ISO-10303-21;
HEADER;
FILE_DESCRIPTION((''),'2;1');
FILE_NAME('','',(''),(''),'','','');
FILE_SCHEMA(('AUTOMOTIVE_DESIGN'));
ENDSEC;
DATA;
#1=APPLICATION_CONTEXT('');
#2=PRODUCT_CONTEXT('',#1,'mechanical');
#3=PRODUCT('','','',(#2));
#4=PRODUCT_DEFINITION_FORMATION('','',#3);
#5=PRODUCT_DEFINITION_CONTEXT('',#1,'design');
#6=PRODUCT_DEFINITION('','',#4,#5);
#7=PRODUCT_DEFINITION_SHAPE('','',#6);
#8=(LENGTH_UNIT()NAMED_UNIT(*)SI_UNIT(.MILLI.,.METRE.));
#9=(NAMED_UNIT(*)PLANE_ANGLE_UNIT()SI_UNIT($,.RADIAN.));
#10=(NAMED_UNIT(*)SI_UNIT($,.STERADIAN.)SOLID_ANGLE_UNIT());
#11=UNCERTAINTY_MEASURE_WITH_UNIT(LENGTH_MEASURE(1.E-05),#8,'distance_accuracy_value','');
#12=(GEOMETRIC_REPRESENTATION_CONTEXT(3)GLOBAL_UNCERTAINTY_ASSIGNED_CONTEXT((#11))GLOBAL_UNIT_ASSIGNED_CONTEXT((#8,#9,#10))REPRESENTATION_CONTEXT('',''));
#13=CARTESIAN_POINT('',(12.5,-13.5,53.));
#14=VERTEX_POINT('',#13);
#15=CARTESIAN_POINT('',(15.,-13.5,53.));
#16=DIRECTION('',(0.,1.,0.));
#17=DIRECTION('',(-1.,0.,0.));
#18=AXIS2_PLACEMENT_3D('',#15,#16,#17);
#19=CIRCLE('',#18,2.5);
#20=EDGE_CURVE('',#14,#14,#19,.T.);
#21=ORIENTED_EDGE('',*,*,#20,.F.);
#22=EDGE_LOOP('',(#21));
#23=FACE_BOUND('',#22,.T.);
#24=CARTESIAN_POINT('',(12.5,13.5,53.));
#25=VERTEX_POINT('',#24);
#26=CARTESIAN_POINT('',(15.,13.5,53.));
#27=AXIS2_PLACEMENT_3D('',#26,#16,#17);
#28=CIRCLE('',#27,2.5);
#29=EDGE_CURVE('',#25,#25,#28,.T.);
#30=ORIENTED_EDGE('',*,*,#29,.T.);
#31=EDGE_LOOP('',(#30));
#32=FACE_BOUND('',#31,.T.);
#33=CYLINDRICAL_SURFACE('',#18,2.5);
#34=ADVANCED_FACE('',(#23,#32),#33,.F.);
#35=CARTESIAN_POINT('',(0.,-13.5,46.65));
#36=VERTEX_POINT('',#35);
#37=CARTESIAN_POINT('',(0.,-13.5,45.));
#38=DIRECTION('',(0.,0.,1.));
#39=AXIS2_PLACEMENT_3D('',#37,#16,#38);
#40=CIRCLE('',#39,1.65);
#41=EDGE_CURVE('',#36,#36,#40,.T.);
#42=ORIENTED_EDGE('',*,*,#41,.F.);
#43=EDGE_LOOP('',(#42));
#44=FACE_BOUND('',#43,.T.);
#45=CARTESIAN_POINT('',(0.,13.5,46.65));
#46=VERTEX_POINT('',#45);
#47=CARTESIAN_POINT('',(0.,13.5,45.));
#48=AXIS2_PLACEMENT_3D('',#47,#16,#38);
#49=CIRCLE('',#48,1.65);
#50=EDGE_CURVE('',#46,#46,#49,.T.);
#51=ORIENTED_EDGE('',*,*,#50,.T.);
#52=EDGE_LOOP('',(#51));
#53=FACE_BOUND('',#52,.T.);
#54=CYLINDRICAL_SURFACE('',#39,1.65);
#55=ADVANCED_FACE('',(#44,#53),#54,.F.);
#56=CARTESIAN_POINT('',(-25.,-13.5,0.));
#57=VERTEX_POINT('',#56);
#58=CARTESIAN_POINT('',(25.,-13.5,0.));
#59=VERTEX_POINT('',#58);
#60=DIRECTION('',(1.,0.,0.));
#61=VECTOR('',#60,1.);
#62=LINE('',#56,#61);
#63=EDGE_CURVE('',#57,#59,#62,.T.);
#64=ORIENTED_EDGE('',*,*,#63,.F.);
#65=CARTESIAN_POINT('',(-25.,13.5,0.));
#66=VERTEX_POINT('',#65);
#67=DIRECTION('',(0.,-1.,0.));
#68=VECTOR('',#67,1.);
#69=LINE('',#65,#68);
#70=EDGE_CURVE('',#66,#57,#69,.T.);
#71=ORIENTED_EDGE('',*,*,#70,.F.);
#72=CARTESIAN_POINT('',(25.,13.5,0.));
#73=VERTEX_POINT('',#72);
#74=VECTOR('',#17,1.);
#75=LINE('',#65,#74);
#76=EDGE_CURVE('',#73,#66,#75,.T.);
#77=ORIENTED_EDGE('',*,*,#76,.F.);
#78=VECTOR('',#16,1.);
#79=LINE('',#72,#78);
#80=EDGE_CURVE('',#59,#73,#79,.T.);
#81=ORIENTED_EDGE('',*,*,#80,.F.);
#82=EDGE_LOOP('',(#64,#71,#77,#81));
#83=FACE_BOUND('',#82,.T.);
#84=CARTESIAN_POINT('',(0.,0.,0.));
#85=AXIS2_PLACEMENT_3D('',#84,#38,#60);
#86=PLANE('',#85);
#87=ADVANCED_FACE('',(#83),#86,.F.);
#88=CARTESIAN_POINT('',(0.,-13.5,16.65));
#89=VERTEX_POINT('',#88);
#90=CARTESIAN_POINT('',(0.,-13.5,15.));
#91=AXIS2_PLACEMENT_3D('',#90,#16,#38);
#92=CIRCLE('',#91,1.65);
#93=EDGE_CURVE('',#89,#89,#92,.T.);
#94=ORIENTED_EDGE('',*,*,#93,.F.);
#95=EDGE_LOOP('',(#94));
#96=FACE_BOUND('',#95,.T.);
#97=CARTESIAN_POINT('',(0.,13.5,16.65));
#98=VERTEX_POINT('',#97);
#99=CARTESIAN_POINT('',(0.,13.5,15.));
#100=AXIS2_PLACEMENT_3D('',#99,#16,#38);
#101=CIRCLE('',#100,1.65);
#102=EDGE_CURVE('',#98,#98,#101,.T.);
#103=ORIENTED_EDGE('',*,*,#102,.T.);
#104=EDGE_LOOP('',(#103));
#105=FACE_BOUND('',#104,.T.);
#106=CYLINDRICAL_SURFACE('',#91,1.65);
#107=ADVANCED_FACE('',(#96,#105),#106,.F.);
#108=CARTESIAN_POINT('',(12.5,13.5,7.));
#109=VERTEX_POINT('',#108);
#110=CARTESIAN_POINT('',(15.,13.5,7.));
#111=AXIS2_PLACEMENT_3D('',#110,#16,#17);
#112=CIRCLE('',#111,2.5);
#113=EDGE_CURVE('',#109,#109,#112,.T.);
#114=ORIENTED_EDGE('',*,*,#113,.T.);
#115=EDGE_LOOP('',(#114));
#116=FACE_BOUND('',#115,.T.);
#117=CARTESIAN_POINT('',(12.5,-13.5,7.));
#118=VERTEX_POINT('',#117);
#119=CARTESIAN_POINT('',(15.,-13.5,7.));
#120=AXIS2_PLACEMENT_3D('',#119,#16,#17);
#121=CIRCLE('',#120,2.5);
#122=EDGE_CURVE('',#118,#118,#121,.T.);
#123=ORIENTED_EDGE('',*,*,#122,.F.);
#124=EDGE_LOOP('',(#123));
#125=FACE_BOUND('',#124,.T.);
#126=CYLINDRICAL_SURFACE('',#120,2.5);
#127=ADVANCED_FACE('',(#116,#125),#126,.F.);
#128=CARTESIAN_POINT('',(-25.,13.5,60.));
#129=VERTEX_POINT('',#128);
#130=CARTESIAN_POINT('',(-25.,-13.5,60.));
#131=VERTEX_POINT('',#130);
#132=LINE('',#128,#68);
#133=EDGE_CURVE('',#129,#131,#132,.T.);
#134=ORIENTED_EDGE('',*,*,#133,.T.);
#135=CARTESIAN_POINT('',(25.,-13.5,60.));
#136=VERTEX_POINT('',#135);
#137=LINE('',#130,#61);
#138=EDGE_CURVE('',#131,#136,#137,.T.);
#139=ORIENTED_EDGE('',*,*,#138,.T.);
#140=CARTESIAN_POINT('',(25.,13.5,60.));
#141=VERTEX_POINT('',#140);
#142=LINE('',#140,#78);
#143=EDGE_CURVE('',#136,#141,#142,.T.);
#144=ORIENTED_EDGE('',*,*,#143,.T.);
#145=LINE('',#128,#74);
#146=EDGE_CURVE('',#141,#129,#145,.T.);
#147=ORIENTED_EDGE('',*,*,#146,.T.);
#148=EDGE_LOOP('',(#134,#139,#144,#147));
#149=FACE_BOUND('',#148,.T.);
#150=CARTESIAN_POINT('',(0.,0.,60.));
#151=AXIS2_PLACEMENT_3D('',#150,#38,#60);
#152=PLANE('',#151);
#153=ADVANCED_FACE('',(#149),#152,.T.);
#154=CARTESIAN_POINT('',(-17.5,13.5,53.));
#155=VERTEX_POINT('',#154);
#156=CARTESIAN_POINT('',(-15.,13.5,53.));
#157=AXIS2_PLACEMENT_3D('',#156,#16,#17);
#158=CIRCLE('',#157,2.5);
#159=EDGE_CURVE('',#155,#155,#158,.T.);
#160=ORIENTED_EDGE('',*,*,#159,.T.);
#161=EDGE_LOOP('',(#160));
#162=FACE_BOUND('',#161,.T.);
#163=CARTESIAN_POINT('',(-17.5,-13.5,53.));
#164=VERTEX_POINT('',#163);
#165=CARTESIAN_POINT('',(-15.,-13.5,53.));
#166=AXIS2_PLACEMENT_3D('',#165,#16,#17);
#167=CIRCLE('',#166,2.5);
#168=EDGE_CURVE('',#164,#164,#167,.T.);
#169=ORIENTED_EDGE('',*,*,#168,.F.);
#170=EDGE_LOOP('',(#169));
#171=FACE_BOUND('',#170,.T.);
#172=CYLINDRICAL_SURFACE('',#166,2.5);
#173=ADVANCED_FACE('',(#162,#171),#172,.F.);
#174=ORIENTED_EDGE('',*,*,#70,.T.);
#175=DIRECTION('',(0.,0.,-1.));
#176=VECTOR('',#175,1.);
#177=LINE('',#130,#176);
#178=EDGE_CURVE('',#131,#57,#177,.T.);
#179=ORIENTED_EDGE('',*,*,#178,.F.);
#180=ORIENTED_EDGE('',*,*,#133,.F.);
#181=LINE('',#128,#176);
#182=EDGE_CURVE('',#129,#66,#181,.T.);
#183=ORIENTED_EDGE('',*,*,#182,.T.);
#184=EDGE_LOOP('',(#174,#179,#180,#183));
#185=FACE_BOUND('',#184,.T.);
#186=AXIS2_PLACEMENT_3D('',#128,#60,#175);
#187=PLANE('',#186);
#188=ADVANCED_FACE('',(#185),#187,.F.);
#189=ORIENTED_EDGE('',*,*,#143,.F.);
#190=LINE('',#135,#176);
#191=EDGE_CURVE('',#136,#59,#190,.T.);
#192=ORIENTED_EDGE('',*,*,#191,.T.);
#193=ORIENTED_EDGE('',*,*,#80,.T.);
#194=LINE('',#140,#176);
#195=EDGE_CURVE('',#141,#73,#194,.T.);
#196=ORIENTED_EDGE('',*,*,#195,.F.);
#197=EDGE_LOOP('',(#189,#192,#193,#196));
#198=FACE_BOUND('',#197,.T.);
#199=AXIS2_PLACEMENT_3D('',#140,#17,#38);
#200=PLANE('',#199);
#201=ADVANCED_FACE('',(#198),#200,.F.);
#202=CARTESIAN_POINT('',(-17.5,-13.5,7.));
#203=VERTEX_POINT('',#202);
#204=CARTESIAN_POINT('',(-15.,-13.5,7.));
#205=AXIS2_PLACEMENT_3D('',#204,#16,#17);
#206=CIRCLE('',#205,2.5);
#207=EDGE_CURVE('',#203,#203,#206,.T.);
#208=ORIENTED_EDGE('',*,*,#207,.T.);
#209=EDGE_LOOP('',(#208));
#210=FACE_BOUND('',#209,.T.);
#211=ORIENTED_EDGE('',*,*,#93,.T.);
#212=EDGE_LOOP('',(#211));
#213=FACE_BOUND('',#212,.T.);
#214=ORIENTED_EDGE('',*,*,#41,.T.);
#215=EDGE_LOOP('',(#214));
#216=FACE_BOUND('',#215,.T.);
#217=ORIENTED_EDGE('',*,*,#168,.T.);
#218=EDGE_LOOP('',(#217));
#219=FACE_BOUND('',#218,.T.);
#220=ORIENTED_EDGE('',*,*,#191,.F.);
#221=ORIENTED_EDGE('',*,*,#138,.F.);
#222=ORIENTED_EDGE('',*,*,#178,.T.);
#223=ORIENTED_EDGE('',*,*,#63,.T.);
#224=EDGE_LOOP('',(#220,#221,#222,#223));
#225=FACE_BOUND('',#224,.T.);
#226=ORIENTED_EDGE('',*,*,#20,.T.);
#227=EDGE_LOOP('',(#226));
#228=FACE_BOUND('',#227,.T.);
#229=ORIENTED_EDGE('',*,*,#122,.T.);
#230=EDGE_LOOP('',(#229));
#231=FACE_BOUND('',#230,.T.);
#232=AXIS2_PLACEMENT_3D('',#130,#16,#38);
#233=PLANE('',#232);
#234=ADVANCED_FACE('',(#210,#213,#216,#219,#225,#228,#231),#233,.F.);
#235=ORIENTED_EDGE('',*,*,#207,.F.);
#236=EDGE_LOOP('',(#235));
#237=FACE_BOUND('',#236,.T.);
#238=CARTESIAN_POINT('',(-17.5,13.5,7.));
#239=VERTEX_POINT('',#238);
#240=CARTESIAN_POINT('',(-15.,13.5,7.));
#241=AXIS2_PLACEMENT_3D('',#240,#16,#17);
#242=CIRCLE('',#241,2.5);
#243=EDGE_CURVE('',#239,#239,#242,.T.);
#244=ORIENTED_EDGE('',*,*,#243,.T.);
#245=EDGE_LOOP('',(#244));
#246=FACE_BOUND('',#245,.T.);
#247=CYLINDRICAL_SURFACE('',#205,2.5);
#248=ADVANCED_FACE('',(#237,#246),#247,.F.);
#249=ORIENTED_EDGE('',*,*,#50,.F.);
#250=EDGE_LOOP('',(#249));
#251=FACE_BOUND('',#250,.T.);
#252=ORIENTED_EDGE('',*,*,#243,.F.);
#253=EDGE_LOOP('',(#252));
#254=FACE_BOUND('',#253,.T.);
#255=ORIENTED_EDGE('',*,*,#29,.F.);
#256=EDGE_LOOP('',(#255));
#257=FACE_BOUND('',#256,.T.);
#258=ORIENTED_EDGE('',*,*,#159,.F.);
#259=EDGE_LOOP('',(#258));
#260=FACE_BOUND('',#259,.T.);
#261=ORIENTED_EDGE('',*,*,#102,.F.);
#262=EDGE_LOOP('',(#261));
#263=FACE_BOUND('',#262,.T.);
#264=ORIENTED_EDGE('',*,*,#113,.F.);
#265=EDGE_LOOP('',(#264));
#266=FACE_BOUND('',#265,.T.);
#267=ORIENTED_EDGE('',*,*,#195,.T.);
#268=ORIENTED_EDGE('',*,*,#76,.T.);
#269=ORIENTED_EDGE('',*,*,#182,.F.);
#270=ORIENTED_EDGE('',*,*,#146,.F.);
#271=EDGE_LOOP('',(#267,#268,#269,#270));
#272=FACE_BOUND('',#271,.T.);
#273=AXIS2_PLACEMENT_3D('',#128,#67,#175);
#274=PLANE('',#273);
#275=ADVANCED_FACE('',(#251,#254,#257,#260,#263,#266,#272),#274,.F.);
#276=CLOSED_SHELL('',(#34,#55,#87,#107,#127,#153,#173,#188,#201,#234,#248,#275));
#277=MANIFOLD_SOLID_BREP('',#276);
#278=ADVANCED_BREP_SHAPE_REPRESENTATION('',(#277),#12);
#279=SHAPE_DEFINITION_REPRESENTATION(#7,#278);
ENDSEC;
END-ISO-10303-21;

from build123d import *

# Parameters (mm, degrees)
SKETCH_1_W             = 50
SKETCH_1_H             = 27
EXTRUDE_1_DEPTH        = 60
SKETCH_2_R             = 2.5
CUT_EXTRUDE_1_DEPTH    = 27
PATTERN_LINEAR_1_COUNT = 2
PATTERN_LINEAR_1_PITCH = 46
SKETCH_3_R             = 2.5
CUT_EXTRUDE_2_DEPTH    = 27
PATTERN_LINEAR_2_COUNT = 2
PATTERN_LINEAR_2_PITCH = 46
SKETCH_4_R             = 1.65
CUT_EXTRUDE_3_DEPTH    = 27


with BuildPart() as part:
    # Эскиз1 → Бобышка-Вытянуть1 (new body)
    with BuildSketch(Plane.XY):
        Rectangle(SKETCH_1_W, SKETCH_1_H)
    extrude(amount=EXTRUDE_1_DEPTH)

    # Эскиз2 → Вырез-Вытянуть1 (cut)
    with BuildSketch(Plane(origin=(0, 13.5, 0), x_dir=(1, 0, 0), z_dir=(0, 1, 0))):
        with Locations(Location((-15, -7, 0), (0, 0, 180))):
            Circle(SKETCH_2_R)
    cut_extrude_1 = extrude(amount=-CUT_EXTRUDE_1_DEPTH, mode=Mode.SUBTRACT)

    # Линейный массив1: Вырез-Вытянуть1 ×2
    with Locations(*[(0, 0, i * PATTERN_LINEAR_1_PITCH) for i in range(1, PATTERN_LINEAR_1_COUNT)]):
        add(cut_extrude_1, mode=Mode.SUBTRACT)

    # Эскиз3 → Вырез-Вытянуть2 (cut)
    with BuildSketch(Plane(origin=(0, 13.5, 0), x_dir=(1, 0, 0), z_dir=(0, 1, 0))):
        with Locations(Location((15, -7, 0), (0, 0, 180))):
            Circle(SKETCH_3_R)
    cut_extrude_2 = extrude(amount=-CUT_EXTRUDE_2_DEPTH, mode=Mode.SUBTRACT)

    # Линейный массив2: Вырез-Вытянуть2 ×2
    with Locations(*[(0, 0, i * PATTERN_LINEAR_2_PITCH) for i in range(1, PATTERN_LINEAR_2_COUNT)]):
        add(cut_extrude_2, mode=Mode.SUBTRACT)

    # Эскиз4 → Вырез-Вытянуть3 (cut)
    with BuildSketch(Plane(origin=(0, 13.5, 0), x_dir=(1, 0, 0), z_dir=(0, 1, 0))):
        with Locations(Location((0, -15, 0), (0, 0, 270))):
            Circle(SKETCH_4_R)
        with Locations(Location((0, -45, 0), (0, 0, 270))):
            Circle(SKETCH_4_R)
    extrude(amount=-CUT_EXTRUDE_3_DEPTH, mode=Mode.SUBTRACT)


solid = part.part
